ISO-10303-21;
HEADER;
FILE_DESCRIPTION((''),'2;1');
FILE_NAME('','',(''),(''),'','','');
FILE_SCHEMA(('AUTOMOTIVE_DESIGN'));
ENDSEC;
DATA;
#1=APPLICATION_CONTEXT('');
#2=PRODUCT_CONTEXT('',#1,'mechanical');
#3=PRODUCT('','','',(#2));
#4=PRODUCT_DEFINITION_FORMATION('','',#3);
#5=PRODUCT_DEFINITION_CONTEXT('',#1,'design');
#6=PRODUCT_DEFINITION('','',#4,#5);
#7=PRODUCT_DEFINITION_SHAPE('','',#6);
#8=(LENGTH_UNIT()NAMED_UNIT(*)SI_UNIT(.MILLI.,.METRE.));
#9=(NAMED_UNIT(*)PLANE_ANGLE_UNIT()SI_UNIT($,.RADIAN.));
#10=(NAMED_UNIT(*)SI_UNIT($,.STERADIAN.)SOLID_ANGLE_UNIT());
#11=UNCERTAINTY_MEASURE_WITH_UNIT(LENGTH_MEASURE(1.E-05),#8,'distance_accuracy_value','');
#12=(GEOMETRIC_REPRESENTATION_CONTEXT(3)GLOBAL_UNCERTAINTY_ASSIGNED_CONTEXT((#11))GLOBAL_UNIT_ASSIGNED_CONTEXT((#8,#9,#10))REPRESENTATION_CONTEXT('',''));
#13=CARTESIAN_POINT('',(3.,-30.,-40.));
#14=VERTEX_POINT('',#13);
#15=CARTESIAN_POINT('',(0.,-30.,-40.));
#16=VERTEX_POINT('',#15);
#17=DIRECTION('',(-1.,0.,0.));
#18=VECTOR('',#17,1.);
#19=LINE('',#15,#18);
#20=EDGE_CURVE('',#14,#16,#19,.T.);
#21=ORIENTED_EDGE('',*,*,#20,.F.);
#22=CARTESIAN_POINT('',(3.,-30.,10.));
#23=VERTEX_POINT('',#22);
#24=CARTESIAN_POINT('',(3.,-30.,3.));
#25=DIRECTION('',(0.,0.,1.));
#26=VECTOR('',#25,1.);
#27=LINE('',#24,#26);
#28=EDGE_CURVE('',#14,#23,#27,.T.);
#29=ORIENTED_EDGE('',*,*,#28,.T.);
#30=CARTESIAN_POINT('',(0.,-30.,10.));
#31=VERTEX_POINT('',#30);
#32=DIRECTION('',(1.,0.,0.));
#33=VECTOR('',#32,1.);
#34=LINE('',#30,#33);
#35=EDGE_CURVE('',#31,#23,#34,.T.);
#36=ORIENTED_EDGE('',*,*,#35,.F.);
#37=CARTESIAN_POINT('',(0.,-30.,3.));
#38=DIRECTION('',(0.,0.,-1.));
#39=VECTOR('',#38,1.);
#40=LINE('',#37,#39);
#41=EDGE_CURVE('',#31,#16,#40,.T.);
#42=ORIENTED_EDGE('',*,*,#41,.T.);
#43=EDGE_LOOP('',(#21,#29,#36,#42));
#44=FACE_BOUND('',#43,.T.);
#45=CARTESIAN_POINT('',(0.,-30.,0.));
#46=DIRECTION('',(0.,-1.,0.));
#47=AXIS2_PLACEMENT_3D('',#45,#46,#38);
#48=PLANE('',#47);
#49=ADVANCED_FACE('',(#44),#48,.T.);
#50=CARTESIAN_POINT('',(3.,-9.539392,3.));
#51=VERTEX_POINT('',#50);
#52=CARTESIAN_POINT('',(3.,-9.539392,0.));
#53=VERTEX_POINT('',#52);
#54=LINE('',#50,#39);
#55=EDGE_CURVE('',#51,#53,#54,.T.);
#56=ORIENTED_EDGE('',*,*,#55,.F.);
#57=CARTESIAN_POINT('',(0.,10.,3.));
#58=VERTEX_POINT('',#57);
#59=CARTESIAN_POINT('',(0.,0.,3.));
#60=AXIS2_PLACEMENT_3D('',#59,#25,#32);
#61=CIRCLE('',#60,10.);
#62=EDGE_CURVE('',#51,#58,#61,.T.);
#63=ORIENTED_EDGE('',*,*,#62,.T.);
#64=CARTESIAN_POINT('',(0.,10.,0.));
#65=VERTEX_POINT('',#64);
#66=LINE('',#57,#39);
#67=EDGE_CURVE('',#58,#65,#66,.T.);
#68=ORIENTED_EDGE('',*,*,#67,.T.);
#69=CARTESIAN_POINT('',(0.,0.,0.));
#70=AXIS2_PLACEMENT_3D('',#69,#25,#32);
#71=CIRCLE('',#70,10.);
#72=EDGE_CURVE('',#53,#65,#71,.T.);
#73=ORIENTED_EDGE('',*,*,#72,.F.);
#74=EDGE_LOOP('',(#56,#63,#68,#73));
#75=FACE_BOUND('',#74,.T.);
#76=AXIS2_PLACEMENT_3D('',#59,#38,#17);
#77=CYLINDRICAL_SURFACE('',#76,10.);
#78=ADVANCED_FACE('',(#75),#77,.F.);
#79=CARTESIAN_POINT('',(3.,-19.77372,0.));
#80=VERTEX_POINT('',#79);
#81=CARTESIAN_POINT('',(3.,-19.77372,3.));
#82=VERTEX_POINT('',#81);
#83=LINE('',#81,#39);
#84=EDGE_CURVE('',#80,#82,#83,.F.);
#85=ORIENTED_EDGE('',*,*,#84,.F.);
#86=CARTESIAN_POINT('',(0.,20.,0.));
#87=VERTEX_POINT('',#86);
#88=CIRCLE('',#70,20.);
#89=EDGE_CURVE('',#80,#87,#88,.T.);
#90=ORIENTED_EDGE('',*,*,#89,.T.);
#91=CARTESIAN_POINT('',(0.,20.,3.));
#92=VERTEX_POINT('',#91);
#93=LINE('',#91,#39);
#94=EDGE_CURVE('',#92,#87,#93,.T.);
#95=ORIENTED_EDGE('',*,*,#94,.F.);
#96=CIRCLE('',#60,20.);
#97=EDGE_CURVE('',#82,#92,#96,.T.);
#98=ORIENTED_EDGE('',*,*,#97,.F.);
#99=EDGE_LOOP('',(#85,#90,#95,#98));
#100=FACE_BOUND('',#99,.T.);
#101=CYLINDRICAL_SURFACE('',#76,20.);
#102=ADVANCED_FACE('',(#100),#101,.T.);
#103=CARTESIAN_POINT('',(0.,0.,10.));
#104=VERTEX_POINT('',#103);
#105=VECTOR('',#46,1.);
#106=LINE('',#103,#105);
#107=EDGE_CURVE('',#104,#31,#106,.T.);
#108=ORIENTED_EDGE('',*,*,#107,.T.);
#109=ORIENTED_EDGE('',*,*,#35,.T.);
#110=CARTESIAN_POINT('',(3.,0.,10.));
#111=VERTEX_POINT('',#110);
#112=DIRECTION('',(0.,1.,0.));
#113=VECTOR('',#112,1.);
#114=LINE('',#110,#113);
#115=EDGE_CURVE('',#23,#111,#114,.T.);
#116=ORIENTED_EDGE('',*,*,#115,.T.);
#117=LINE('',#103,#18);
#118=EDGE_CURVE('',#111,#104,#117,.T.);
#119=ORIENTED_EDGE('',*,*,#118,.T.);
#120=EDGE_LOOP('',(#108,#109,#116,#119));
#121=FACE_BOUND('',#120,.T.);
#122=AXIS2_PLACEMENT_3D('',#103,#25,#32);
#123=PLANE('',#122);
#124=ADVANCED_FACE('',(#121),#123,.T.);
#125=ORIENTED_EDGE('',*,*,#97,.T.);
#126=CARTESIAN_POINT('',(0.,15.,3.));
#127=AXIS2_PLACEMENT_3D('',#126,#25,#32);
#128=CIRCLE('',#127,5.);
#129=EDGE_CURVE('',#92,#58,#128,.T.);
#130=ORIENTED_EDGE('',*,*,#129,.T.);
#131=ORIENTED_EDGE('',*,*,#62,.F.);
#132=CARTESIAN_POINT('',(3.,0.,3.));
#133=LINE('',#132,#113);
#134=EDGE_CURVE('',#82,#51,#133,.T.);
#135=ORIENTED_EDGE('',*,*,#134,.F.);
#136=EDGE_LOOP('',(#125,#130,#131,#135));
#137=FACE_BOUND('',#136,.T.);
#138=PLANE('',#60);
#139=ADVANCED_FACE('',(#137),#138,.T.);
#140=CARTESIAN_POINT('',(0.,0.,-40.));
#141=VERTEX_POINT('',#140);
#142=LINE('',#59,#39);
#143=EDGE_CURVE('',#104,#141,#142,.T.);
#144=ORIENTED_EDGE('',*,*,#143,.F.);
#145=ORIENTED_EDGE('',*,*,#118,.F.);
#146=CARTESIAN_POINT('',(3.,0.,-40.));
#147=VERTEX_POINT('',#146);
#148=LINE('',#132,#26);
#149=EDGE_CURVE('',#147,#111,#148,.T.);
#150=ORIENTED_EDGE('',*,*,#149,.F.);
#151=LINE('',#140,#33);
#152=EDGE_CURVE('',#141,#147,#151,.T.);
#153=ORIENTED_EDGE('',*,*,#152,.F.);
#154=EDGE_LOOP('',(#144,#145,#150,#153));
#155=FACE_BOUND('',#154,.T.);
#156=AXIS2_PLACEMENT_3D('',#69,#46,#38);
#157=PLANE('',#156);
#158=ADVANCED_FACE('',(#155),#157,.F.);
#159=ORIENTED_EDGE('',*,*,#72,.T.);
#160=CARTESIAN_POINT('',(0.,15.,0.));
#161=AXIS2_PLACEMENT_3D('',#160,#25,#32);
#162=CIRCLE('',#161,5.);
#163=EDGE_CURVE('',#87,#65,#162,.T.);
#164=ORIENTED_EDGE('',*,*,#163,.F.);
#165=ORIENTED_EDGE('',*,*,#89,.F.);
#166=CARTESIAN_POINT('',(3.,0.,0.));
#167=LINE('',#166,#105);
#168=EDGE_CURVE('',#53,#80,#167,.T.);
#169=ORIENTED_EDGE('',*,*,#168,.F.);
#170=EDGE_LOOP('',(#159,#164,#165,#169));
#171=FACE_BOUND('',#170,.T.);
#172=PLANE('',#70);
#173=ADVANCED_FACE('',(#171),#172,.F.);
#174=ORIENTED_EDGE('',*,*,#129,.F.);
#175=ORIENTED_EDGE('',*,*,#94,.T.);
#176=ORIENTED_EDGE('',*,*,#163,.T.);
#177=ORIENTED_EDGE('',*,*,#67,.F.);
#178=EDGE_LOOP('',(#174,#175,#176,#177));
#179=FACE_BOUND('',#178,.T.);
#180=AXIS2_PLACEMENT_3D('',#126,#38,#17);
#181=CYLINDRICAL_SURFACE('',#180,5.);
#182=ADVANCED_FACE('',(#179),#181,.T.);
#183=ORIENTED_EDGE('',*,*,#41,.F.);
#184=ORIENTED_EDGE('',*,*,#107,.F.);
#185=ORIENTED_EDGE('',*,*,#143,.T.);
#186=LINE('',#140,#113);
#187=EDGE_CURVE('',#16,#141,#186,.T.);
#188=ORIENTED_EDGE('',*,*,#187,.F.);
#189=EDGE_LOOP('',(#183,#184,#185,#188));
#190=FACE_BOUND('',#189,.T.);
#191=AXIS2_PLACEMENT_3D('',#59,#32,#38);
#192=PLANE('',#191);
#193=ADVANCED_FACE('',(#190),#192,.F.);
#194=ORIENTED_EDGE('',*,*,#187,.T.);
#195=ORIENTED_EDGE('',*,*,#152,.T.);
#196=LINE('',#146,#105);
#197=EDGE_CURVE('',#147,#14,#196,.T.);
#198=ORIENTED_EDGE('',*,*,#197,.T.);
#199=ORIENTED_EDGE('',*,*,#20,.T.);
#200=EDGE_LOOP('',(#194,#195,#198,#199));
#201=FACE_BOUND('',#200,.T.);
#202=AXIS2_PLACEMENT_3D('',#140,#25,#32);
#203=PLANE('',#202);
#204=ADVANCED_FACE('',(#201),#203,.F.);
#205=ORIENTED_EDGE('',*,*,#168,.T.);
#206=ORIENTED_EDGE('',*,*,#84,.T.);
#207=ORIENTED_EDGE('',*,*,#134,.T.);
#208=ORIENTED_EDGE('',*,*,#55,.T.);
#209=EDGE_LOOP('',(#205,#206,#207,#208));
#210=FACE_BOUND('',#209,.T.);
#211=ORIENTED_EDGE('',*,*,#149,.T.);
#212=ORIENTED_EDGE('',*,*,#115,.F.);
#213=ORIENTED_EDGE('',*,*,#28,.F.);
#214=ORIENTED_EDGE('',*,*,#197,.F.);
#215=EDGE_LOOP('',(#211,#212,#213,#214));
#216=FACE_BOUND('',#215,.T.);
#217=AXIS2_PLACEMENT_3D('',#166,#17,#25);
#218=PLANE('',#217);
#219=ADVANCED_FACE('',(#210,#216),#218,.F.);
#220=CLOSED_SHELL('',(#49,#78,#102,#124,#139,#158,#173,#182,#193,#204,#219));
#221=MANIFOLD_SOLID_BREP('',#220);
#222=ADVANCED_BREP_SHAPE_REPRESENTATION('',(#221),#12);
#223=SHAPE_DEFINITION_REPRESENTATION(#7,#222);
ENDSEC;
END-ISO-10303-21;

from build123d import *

# Parameters (mm, degrees)
BOSS_EXTRUDE1_DEPTH = 3
SKETCH2_W           = 3
SKETCH2_H           = 10
BOSS_EXTRUDE2_DEPTH = 3
SKETCH3_W           = 3
SKETCH3_H           = 3
BOSS_EXTRUDE3_DEPTH = 20
SKETCH4_W           = 3
SKETCH4_H           = 3
BOSS_EXTRUDE4_DEPTH = 10
SKETCH5_W           = 3
SKETCH5_H           = 30
BOSS_EXTRUDE5_DEPTH = 40
SKETCH6_W           = 3
SKETCH6_H           = 30
BOSS_EXTRUDE6_DEPTH = 7


with BuildPart() as part:
    # Sketch1 → Boss-Extrude1 (new body)
    with BuildSketch(Plane.XY):
        with BuildLine():
            ThreePointArc((0, 10), (10, 0), (0, -10))
            Line((0, -10), (0, -20))
            ThreePointArc((0, -20), (20, 0), (0, 20))
            ThreePointArc((0, 20), (-5, 15), (0, 10))
        make_face()
    extrude(amount=BOSS_EXTRUDE1_DEPTH)

    # Sketch2 → Boss-Extrude2 (add)
    with BuildSketch(Plane.ZY):
        with Locations((1.5, -15)):
            Rectangle(SKETCH2_W, SKETCH2_H)
    extrude(amount=-BOSS_EXTRUDE2_DEPTH)

    # Sketch3 → Boss-Extrude3 (add)
    with BuildSketch(Plane.XZ.offset(20)):
        with Locations((1.5, 1.5)):
            Rectangle(SKETCH3_W, SKETCH3_H)
    extrude(amount=-BOSS_EXTRUDE3_DEPTH)

    # Sketch4 → Boss-Extrude4 (add)
    with BuildSketch(Plane(origin=(0, -20, 0), x_dir=(-1, 0, 0), z_dir=(0, -1, 0))):
        with Locations((-1.5, -1.5)):
            Rectangle(SKETCH4_W, SKETCH4_H)
    extrude(amount=BOSS_EXTRUDE4_DEPTH)

    # Sketch5 → Boss-Extrude5 (add)
    with BuildSketch(Plane(origin=(0, 0, 0), x_dir=(-1, 0, 0), z_dir=(0, 0, -1))):
        with Locations((-1.5, -15)):
            Rectangle(SKETCH5_W, SKETCH5_H)
    extrude(amount=BOSS_EXTRUDE5_DEPTH)

    # Sketch6 → Boss-Extrude6 (add)
    with BuildSketch(Plane.XY.offset(3)):
        with Locations((1.5, -15)):
            Rectangle(SKETCH6_W, SKETCH6_H)
    extrude(amount=BOSS_EXTRUDE6_DEPTH)


solid = part.part
